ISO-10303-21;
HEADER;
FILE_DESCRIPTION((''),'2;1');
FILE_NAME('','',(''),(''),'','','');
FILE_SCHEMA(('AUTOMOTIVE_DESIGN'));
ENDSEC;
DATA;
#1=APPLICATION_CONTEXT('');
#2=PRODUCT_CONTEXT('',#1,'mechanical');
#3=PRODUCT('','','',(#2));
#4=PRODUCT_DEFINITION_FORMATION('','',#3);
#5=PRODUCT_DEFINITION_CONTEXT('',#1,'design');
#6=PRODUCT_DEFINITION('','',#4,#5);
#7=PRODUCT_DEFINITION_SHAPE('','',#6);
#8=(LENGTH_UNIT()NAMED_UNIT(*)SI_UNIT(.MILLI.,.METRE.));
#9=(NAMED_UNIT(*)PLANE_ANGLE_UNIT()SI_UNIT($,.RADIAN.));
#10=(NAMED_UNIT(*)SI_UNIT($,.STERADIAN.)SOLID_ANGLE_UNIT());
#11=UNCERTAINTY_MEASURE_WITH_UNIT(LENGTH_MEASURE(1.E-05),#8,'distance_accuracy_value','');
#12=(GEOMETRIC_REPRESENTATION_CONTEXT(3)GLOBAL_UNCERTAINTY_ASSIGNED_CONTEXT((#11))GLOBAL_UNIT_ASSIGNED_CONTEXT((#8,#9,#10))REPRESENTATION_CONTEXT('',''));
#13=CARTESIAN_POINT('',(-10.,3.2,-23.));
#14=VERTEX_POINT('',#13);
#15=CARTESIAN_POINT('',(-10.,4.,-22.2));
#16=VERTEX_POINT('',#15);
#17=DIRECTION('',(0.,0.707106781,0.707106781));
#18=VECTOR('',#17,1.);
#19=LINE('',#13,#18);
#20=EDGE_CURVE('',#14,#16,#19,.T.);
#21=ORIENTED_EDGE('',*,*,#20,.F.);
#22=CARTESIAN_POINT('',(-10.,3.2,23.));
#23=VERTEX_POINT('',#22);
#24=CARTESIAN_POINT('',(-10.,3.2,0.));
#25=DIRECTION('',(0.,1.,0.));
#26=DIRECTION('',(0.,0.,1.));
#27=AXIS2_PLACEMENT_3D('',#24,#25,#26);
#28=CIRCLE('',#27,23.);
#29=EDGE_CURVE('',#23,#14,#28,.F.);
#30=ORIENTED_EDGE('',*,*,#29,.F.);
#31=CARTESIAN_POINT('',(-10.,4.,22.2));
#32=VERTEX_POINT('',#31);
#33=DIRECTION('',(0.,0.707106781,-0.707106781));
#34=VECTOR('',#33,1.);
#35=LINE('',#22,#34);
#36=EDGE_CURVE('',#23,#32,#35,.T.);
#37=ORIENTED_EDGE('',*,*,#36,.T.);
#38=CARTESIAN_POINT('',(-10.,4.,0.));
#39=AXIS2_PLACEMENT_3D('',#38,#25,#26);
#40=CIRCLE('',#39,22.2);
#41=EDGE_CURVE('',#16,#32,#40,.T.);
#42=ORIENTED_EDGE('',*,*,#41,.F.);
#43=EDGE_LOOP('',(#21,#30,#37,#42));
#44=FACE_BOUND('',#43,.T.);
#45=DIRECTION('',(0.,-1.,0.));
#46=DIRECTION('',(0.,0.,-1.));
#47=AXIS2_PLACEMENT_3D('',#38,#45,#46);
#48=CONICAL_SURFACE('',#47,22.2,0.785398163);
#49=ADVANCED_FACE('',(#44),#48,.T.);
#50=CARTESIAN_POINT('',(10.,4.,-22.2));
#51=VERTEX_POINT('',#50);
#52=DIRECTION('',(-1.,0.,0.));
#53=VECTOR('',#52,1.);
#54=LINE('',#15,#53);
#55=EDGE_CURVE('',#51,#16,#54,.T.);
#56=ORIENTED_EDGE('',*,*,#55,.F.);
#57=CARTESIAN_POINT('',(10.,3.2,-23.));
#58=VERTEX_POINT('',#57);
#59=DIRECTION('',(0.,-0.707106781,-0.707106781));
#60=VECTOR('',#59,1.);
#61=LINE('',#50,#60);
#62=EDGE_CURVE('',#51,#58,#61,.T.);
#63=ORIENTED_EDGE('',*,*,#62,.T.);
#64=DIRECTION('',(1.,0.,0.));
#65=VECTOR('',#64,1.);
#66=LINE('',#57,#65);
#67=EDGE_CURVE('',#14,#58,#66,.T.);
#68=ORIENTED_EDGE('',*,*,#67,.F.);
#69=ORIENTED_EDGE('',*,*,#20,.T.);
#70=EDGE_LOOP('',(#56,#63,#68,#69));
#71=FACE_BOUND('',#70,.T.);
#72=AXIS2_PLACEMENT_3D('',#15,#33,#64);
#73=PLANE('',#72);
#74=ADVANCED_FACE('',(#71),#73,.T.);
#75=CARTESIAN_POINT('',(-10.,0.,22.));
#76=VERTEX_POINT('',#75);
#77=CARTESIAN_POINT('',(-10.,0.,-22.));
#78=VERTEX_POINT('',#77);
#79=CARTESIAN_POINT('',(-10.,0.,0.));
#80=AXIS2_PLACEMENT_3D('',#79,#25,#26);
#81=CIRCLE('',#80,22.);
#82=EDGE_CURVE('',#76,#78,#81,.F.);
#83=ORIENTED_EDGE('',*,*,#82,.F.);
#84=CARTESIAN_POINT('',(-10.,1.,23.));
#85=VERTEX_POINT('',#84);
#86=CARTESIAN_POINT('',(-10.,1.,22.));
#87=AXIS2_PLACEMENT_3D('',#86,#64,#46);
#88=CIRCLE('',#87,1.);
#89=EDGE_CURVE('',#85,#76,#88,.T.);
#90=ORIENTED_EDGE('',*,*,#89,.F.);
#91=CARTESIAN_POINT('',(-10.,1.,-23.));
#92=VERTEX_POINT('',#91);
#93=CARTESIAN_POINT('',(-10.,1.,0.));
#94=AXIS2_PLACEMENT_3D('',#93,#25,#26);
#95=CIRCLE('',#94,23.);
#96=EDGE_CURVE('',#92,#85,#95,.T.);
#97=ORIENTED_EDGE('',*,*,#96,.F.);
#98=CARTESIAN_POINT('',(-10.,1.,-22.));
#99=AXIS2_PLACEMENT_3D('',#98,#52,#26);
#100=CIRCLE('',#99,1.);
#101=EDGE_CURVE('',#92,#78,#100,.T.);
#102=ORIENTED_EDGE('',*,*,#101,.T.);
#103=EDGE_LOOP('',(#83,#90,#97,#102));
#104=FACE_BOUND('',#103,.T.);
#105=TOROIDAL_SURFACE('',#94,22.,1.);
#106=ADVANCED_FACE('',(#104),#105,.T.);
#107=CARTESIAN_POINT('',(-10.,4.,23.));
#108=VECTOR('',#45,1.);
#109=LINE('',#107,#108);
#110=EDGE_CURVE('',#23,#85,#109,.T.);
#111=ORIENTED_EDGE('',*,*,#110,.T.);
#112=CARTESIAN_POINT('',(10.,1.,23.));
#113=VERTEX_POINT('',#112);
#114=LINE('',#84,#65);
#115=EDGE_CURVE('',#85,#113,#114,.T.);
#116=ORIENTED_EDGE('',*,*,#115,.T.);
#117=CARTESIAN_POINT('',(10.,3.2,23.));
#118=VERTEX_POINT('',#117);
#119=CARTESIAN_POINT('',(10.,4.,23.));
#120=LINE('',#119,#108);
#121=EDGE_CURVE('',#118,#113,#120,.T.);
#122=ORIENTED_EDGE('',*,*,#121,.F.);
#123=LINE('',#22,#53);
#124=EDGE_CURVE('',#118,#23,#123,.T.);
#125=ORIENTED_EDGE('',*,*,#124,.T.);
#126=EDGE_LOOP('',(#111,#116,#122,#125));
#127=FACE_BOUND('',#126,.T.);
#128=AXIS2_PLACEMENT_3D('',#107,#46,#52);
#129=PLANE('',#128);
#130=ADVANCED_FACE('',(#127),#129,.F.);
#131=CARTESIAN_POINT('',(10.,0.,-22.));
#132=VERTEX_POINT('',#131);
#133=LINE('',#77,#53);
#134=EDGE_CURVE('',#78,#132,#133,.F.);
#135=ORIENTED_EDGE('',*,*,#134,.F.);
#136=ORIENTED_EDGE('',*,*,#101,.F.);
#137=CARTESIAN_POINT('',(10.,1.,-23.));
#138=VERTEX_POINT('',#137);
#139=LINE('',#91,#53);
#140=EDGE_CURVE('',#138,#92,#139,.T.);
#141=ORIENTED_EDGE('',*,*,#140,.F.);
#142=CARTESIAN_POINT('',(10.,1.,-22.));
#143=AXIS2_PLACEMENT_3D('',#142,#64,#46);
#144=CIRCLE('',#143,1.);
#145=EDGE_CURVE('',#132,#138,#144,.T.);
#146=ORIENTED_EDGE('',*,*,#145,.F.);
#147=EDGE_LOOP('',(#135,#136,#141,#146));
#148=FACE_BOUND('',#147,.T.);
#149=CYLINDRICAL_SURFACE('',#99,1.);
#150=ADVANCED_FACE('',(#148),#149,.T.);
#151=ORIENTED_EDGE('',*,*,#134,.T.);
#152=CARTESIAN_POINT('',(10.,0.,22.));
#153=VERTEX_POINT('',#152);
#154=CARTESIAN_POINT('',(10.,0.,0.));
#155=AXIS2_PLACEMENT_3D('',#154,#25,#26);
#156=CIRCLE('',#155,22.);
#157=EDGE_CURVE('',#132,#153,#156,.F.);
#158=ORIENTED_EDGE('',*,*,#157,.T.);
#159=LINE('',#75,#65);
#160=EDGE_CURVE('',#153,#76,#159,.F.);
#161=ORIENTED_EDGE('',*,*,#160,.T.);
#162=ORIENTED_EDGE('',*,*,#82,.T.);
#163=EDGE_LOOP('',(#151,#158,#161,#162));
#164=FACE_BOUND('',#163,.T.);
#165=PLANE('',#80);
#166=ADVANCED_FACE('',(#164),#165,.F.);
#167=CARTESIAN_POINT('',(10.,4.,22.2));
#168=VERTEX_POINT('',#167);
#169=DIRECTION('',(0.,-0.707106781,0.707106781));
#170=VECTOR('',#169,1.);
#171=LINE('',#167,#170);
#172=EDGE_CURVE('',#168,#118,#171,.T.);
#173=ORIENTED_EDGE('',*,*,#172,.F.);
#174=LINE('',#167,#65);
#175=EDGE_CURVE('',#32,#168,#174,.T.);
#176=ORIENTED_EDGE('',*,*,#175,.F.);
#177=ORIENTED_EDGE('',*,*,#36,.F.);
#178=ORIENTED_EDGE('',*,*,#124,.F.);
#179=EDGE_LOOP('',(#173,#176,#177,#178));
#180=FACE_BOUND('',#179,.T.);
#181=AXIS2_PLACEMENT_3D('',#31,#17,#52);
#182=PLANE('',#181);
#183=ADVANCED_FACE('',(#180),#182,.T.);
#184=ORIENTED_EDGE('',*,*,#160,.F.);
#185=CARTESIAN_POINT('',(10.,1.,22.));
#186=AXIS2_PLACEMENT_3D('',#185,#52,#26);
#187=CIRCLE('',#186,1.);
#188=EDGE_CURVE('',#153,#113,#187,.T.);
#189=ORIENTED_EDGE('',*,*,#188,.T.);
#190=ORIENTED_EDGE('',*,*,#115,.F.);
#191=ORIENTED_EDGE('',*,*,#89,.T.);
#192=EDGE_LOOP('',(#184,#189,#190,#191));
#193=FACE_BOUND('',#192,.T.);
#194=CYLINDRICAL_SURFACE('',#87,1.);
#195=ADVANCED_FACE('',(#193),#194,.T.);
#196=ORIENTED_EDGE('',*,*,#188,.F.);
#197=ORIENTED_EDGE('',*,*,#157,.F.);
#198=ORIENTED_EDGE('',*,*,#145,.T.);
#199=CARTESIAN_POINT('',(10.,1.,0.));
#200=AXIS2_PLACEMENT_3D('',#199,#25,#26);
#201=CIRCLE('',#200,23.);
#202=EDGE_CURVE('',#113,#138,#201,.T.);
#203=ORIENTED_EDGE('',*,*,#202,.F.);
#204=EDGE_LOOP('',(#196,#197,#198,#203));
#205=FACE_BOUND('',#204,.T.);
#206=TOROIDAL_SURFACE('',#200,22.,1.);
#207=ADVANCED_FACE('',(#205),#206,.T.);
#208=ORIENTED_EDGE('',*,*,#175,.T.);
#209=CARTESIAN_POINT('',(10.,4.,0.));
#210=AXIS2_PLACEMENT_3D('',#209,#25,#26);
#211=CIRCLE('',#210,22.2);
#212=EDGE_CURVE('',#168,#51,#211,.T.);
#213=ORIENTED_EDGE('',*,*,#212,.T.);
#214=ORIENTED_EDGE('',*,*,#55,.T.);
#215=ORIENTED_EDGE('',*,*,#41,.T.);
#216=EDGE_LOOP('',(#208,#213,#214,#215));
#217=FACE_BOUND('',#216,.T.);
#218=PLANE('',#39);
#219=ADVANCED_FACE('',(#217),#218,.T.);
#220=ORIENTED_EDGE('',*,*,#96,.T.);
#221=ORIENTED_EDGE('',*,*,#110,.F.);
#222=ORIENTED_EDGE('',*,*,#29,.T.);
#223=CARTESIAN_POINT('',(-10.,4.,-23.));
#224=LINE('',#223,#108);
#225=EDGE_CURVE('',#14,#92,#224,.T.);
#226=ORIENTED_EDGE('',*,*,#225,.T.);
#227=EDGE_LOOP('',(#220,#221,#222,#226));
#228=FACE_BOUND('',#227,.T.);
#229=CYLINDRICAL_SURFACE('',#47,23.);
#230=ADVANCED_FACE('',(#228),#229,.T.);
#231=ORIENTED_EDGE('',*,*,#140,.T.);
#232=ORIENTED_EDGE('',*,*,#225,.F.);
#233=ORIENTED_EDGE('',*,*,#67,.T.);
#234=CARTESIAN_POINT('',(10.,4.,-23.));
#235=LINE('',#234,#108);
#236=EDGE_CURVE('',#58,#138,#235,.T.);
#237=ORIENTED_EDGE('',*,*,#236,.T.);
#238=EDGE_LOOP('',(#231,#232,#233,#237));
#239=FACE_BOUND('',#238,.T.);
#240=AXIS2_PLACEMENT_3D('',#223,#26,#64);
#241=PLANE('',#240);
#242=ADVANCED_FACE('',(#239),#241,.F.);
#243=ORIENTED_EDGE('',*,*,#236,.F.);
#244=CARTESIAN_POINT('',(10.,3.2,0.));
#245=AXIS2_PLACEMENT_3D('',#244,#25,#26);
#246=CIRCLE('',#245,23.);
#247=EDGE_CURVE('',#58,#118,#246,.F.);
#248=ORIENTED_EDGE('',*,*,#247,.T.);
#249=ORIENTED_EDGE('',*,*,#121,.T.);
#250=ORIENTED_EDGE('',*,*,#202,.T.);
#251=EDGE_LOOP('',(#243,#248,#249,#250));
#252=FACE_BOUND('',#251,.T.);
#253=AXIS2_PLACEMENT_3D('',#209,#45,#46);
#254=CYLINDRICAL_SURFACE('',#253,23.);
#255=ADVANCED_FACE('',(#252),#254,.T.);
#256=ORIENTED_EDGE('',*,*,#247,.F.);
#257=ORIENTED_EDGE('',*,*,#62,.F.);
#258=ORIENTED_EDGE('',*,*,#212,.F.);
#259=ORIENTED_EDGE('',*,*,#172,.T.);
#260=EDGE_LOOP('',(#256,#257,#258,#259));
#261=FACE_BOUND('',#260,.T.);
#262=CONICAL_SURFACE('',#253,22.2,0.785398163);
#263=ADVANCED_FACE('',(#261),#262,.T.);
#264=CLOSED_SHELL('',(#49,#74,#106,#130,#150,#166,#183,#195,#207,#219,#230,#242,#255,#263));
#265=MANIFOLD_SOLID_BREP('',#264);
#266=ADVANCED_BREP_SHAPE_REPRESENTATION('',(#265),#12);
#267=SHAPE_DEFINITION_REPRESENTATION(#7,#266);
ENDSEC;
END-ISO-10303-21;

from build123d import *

# Parameters (mm, degrees)
BOSS_EXTRUDE1_DEPTH = 4
CHAMFER1_SIZE       = 0.8
FILLET1_R           = 1


with BuildPart() as part:
    # Sketch1 → Boss-Extrude1 (new body)
    with BuildSketch(Plane(origin=(0, 0, 0), x_dir=(1, 0, 0), z_dir=(0, 1, 0))):
        with BuildLine():
            Line((-10, 23), (10, 23))
            ThreePointArc((10, 23), (33, 0), (10, -23))
            Line((10, -23), (-10, -23))
            ThreePointArc((-10, -23), (-33, 0), (-10, 23))
        make_face()
    extrude(amount=BOSS_EXTRUDE1_DEPTH)

    # Chamfer1
    chamfer1_edges = [part.edges().sort_by_distance(p)[0] for p in [
        (33, 4, 0),
        (0, 4, -23),
        (-33, 4, 0),
        (0, 4, 23),
    ]]
    chamfer(chamfer1_edges, length=CHAMFER1_SIZE)

    # Fillet1
    fillet1_edges = [part.edges().sort_by_distance(p)[0] for p in [
        (0, 0, -23),
        (33, 0, 0),
        (0, 0, 23),
        (-33, 0, 0),
    ]]
    fillet(fillet1_edges, radius=FILLET1_R)


solid = part.part
